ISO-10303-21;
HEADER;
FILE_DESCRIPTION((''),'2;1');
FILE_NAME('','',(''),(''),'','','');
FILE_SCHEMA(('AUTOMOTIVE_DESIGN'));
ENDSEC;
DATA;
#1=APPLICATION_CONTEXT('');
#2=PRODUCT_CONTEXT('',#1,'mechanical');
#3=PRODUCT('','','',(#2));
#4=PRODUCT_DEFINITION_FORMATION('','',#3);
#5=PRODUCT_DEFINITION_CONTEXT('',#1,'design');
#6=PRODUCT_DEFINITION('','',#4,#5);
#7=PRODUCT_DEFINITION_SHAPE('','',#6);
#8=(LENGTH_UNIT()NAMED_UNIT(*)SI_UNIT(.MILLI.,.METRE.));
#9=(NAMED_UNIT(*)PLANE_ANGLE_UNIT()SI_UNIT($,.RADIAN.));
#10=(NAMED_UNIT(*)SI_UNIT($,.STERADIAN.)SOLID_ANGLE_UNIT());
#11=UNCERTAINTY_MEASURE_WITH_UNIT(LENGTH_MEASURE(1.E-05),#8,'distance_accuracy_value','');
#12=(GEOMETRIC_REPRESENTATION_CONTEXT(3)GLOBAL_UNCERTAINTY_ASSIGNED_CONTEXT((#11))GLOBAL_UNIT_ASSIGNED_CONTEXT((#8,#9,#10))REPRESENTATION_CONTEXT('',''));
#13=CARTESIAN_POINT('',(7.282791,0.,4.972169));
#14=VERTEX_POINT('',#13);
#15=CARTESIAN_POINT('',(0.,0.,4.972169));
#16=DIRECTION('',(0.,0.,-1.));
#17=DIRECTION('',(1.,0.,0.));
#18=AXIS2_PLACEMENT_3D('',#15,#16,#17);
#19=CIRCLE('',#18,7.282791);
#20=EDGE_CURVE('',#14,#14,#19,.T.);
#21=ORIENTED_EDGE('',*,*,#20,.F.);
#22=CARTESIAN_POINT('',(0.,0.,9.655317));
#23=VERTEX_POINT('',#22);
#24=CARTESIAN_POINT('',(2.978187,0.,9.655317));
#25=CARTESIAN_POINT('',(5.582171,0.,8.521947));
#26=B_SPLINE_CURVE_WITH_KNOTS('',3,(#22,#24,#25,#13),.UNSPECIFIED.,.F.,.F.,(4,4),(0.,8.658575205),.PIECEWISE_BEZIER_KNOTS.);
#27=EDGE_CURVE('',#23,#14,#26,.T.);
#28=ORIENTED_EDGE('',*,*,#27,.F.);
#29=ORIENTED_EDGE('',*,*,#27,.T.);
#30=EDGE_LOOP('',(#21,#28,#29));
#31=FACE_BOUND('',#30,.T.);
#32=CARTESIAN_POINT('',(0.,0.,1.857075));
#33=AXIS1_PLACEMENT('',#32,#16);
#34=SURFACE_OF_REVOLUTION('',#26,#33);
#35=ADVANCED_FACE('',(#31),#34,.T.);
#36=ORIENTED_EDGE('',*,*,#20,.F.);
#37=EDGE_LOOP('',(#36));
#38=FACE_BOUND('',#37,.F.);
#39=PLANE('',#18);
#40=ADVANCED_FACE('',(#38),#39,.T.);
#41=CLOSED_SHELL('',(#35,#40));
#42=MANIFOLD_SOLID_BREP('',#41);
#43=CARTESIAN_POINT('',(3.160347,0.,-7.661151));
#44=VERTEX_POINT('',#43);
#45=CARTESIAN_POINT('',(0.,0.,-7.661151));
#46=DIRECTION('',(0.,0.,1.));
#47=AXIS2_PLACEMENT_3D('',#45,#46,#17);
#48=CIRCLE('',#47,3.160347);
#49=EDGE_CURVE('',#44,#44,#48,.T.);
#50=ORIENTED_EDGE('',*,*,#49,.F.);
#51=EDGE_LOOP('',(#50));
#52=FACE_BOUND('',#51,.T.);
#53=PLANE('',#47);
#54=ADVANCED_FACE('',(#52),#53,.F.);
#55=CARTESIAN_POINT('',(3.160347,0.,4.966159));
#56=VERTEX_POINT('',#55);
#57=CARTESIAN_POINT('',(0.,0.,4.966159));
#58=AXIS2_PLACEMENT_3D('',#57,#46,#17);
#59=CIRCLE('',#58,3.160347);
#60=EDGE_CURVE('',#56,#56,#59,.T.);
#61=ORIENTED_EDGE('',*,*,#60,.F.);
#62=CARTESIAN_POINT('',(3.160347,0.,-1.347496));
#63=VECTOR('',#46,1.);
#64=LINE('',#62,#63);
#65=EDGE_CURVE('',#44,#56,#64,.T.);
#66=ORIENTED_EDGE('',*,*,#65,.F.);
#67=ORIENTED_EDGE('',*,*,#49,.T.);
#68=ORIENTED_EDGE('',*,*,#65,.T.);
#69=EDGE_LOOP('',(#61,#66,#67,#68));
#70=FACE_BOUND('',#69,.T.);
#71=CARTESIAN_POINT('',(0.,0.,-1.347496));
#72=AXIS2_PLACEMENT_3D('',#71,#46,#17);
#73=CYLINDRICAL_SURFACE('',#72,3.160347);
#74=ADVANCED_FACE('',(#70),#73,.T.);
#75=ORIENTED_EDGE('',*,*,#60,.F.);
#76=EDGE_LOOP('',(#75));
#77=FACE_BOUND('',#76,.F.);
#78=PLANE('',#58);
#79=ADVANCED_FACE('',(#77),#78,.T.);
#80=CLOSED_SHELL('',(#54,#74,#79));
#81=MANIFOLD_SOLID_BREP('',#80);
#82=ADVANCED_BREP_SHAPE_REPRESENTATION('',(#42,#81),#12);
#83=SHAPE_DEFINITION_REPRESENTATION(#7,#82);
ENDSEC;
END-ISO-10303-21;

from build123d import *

# Parameters (mm, degrees)
F2_W = 3.1603467651
F2_H = 12.6273096539


with BuildPart() as f1:
    # F0 (on Front) → F1 (revolve)
    with BuildSketch(Plane.XZ):
        with BuildLine():
            Line((0, 9.6553172916), (0, 4.9721689479))
            Line((0, 4.9721689479), (3.175, 4.9721689479))
            Line((3.175, 4.9721689479), (7.2827910981, 4.9721689479))
            add(Edge.make_bspline(
                [(0, 9.6553172916), (2.9781865887, 9.6553172916), (5.5821713968, 8.5219470784), (7.2827910981, 4.9721689479)],
                knots=[0, 0, 0, 0, 8.6585752054, 8.6585752054, 8.6585752054, 8.6585752054], degree=3))
        make_face()
    revolve(axis=Axis((0, 0, 1.8570748846), (0, 0, -1)))


with BuildPart() as f3:
    # F2 (on Front) → F3 (revolve)
    with BuildSketch(Plane.XZ):
        with Locations((1.5801733825, -1.3474959414)):
            Rectangle(F2_W, F2_H)
    revolve(axis=Axis((0, 0, -1.3474959414), (0, 0, 1)))


solid = Compound([f1.part, f3.part])
